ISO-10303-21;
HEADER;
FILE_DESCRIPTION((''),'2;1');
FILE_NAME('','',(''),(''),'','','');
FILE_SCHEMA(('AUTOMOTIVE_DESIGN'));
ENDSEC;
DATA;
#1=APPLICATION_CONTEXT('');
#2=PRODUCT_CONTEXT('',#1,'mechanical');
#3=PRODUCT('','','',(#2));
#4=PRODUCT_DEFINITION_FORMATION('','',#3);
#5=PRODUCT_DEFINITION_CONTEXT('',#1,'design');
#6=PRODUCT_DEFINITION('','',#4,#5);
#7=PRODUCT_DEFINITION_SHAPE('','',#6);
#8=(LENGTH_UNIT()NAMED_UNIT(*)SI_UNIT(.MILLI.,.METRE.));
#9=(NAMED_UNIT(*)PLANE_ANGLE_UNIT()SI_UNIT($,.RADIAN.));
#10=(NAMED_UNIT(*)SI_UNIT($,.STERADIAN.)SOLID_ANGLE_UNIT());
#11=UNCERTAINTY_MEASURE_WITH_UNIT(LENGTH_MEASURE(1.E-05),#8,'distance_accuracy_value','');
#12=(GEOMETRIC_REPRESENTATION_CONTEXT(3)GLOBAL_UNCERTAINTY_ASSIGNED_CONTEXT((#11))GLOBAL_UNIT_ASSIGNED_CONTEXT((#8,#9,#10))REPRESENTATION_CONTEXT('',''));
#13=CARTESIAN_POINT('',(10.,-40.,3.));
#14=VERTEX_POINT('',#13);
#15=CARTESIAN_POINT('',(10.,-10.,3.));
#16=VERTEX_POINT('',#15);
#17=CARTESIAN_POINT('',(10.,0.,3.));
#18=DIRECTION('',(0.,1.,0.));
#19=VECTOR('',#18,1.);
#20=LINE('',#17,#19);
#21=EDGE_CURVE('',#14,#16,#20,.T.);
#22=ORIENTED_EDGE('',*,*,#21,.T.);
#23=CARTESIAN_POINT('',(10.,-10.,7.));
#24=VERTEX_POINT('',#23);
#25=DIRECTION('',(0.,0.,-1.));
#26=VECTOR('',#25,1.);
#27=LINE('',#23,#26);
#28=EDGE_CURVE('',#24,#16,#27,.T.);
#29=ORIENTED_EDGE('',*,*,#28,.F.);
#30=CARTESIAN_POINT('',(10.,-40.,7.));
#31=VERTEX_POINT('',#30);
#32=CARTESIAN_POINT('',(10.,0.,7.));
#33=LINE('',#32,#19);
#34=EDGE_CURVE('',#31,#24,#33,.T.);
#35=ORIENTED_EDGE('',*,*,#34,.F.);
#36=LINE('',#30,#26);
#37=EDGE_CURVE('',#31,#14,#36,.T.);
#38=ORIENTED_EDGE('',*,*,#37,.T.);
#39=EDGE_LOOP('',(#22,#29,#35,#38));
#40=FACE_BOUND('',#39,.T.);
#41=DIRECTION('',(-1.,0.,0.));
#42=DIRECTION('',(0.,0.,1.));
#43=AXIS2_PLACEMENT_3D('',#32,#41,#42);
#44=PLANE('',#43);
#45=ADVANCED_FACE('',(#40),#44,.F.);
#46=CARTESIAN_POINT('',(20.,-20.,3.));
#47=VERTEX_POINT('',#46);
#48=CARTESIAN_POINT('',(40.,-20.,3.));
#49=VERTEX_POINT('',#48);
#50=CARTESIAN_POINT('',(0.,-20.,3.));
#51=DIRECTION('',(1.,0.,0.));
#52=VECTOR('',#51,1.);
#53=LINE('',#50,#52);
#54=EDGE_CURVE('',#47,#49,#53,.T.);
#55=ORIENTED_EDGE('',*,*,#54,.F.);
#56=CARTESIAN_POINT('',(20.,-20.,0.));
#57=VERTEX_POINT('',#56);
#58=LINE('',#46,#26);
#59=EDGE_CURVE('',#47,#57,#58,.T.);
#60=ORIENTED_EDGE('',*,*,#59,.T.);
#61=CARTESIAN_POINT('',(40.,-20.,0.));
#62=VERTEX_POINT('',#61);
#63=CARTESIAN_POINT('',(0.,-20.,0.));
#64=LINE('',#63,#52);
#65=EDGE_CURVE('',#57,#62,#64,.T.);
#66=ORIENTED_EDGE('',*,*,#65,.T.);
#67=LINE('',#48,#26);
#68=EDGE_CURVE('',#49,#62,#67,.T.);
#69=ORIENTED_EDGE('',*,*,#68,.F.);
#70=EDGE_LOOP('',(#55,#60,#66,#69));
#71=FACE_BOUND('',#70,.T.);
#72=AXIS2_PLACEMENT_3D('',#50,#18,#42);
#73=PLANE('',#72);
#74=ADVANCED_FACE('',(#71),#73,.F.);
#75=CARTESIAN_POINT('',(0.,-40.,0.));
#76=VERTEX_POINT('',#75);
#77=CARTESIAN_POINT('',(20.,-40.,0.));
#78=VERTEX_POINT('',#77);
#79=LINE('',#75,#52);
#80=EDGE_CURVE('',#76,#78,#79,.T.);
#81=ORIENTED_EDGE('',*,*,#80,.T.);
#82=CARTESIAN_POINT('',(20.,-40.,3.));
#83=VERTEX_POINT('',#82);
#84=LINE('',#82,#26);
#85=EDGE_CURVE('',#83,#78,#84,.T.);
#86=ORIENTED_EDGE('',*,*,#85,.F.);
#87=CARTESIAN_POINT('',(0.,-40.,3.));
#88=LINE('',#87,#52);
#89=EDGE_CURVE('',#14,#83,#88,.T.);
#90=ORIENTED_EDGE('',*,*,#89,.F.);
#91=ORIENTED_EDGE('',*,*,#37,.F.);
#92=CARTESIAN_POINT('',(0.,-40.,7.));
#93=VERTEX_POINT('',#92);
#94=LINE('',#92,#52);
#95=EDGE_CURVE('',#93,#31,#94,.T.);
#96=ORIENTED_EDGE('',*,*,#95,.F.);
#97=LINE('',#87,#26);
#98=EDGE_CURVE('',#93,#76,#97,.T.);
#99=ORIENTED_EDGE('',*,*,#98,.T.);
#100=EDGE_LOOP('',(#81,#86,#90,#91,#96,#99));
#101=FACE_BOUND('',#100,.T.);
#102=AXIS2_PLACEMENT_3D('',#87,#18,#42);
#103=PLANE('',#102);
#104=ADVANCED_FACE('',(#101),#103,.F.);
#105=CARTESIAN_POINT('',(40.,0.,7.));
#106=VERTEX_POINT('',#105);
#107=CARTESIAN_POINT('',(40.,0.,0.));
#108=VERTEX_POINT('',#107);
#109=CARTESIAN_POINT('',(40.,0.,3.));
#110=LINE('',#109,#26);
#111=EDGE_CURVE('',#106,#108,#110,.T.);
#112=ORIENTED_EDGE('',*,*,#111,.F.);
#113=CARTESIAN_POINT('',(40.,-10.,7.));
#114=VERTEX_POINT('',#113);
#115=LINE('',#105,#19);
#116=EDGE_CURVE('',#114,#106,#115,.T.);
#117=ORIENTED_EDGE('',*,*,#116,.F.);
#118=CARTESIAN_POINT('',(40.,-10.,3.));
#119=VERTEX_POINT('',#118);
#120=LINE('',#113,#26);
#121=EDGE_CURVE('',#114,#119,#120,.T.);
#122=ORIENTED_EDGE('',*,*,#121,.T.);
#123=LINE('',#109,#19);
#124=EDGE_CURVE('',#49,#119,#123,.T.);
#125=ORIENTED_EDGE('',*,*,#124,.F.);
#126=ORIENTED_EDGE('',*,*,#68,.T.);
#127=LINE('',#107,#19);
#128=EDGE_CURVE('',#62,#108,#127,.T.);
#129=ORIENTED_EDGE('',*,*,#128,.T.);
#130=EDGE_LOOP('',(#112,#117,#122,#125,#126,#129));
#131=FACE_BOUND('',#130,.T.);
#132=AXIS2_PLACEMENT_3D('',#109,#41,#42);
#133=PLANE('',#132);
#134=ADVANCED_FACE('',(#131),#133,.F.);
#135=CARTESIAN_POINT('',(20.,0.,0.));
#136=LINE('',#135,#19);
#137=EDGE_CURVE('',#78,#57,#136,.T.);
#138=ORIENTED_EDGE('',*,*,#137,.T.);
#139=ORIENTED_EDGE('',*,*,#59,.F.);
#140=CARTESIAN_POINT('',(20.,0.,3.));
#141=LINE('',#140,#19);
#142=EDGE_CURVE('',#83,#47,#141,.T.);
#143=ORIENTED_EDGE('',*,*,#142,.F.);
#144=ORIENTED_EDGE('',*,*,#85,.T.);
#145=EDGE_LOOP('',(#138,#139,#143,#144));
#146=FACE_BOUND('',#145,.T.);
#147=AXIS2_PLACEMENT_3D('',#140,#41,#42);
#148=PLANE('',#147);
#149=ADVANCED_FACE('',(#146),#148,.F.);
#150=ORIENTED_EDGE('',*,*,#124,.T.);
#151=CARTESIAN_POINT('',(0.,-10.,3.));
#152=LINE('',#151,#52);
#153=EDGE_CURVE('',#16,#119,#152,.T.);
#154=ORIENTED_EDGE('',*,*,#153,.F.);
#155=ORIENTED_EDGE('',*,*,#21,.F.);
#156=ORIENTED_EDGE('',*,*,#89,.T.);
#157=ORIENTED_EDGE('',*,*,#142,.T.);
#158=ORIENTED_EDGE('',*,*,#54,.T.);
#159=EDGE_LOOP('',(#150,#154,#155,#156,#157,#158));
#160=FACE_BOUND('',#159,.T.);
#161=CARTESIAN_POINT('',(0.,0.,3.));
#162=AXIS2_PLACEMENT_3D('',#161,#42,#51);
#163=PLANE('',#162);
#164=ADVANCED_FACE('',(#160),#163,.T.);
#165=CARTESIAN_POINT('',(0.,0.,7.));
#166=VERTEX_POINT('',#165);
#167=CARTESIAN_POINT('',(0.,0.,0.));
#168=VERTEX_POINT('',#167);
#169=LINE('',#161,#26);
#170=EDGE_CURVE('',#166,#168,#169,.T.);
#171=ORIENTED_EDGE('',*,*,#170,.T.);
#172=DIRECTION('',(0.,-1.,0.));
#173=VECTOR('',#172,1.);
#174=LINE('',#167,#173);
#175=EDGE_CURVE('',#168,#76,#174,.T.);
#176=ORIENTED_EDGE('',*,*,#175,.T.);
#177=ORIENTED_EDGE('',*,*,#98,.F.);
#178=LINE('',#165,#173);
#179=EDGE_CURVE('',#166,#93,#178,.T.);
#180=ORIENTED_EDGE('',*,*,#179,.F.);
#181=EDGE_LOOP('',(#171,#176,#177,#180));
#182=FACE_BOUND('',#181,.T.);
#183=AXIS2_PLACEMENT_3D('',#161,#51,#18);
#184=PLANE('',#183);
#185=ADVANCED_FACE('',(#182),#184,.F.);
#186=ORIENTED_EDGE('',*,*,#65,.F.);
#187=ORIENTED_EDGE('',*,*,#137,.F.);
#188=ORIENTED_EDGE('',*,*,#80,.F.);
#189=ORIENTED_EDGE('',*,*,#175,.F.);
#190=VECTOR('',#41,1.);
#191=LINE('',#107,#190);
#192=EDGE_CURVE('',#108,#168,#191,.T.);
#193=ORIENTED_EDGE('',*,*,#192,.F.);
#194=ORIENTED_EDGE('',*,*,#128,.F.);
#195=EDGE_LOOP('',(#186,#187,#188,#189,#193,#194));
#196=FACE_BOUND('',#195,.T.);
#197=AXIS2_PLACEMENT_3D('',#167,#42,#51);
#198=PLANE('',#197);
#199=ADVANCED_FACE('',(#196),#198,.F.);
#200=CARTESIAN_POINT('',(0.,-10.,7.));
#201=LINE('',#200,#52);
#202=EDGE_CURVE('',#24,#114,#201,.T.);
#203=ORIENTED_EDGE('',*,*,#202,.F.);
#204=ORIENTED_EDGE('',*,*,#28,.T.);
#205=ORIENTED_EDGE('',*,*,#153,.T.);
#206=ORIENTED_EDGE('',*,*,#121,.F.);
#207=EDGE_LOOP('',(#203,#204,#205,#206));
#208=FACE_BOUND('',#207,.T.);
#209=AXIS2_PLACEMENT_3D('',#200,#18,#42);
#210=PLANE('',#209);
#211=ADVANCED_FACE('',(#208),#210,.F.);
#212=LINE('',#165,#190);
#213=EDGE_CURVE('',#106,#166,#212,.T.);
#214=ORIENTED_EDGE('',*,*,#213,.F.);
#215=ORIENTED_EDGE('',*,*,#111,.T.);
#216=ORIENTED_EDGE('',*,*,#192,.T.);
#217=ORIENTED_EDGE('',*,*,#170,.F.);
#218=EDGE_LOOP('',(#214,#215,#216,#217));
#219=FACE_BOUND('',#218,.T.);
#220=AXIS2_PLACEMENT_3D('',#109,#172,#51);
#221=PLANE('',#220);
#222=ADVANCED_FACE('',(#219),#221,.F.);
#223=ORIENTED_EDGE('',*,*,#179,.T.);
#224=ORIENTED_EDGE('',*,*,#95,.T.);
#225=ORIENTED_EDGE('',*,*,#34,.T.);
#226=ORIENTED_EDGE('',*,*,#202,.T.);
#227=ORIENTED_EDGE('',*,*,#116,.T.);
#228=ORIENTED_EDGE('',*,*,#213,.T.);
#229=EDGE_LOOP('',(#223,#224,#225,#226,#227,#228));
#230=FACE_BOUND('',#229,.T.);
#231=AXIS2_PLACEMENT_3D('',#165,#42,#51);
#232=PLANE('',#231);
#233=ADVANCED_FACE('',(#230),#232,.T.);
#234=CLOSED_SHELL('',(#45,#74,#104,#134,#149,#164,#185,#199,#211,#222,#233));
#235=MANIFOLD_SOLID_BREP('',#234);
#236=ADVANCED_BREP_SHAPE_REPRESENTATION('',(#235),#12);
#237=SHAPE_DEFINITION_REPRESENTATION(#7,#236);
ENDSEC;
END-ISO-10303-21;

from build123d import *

# Parameters (mm, degrees)
BOSS_EXTRUDE2_DEPTH = 3
BOSS_EXTRUDE3_DEPTH = 4


with BuildPart() as part:
    # Sketch2 → Boss-Extrude2 (new body)
    with BuildSketch(Plane.XY):
        Polygon((0, 0), (0, -40), (20, -40), (20, -20), (40, -20), (40, 0), align=None)
    extrude(amount=BOSS_EXTRUDE2_DEPTH)

    # Sketch3 → Boss-Extrude3 (add)
    with BuildSketch(Plane.XY.offset(3)):
        Polygon((0, -40), (10, -40), (10, -10), (40, -10), (40, 0), (0, 0), align=None)
    extrude(amount=BOSS_EXTRUDE3_DEPTH)


solid = part.part
